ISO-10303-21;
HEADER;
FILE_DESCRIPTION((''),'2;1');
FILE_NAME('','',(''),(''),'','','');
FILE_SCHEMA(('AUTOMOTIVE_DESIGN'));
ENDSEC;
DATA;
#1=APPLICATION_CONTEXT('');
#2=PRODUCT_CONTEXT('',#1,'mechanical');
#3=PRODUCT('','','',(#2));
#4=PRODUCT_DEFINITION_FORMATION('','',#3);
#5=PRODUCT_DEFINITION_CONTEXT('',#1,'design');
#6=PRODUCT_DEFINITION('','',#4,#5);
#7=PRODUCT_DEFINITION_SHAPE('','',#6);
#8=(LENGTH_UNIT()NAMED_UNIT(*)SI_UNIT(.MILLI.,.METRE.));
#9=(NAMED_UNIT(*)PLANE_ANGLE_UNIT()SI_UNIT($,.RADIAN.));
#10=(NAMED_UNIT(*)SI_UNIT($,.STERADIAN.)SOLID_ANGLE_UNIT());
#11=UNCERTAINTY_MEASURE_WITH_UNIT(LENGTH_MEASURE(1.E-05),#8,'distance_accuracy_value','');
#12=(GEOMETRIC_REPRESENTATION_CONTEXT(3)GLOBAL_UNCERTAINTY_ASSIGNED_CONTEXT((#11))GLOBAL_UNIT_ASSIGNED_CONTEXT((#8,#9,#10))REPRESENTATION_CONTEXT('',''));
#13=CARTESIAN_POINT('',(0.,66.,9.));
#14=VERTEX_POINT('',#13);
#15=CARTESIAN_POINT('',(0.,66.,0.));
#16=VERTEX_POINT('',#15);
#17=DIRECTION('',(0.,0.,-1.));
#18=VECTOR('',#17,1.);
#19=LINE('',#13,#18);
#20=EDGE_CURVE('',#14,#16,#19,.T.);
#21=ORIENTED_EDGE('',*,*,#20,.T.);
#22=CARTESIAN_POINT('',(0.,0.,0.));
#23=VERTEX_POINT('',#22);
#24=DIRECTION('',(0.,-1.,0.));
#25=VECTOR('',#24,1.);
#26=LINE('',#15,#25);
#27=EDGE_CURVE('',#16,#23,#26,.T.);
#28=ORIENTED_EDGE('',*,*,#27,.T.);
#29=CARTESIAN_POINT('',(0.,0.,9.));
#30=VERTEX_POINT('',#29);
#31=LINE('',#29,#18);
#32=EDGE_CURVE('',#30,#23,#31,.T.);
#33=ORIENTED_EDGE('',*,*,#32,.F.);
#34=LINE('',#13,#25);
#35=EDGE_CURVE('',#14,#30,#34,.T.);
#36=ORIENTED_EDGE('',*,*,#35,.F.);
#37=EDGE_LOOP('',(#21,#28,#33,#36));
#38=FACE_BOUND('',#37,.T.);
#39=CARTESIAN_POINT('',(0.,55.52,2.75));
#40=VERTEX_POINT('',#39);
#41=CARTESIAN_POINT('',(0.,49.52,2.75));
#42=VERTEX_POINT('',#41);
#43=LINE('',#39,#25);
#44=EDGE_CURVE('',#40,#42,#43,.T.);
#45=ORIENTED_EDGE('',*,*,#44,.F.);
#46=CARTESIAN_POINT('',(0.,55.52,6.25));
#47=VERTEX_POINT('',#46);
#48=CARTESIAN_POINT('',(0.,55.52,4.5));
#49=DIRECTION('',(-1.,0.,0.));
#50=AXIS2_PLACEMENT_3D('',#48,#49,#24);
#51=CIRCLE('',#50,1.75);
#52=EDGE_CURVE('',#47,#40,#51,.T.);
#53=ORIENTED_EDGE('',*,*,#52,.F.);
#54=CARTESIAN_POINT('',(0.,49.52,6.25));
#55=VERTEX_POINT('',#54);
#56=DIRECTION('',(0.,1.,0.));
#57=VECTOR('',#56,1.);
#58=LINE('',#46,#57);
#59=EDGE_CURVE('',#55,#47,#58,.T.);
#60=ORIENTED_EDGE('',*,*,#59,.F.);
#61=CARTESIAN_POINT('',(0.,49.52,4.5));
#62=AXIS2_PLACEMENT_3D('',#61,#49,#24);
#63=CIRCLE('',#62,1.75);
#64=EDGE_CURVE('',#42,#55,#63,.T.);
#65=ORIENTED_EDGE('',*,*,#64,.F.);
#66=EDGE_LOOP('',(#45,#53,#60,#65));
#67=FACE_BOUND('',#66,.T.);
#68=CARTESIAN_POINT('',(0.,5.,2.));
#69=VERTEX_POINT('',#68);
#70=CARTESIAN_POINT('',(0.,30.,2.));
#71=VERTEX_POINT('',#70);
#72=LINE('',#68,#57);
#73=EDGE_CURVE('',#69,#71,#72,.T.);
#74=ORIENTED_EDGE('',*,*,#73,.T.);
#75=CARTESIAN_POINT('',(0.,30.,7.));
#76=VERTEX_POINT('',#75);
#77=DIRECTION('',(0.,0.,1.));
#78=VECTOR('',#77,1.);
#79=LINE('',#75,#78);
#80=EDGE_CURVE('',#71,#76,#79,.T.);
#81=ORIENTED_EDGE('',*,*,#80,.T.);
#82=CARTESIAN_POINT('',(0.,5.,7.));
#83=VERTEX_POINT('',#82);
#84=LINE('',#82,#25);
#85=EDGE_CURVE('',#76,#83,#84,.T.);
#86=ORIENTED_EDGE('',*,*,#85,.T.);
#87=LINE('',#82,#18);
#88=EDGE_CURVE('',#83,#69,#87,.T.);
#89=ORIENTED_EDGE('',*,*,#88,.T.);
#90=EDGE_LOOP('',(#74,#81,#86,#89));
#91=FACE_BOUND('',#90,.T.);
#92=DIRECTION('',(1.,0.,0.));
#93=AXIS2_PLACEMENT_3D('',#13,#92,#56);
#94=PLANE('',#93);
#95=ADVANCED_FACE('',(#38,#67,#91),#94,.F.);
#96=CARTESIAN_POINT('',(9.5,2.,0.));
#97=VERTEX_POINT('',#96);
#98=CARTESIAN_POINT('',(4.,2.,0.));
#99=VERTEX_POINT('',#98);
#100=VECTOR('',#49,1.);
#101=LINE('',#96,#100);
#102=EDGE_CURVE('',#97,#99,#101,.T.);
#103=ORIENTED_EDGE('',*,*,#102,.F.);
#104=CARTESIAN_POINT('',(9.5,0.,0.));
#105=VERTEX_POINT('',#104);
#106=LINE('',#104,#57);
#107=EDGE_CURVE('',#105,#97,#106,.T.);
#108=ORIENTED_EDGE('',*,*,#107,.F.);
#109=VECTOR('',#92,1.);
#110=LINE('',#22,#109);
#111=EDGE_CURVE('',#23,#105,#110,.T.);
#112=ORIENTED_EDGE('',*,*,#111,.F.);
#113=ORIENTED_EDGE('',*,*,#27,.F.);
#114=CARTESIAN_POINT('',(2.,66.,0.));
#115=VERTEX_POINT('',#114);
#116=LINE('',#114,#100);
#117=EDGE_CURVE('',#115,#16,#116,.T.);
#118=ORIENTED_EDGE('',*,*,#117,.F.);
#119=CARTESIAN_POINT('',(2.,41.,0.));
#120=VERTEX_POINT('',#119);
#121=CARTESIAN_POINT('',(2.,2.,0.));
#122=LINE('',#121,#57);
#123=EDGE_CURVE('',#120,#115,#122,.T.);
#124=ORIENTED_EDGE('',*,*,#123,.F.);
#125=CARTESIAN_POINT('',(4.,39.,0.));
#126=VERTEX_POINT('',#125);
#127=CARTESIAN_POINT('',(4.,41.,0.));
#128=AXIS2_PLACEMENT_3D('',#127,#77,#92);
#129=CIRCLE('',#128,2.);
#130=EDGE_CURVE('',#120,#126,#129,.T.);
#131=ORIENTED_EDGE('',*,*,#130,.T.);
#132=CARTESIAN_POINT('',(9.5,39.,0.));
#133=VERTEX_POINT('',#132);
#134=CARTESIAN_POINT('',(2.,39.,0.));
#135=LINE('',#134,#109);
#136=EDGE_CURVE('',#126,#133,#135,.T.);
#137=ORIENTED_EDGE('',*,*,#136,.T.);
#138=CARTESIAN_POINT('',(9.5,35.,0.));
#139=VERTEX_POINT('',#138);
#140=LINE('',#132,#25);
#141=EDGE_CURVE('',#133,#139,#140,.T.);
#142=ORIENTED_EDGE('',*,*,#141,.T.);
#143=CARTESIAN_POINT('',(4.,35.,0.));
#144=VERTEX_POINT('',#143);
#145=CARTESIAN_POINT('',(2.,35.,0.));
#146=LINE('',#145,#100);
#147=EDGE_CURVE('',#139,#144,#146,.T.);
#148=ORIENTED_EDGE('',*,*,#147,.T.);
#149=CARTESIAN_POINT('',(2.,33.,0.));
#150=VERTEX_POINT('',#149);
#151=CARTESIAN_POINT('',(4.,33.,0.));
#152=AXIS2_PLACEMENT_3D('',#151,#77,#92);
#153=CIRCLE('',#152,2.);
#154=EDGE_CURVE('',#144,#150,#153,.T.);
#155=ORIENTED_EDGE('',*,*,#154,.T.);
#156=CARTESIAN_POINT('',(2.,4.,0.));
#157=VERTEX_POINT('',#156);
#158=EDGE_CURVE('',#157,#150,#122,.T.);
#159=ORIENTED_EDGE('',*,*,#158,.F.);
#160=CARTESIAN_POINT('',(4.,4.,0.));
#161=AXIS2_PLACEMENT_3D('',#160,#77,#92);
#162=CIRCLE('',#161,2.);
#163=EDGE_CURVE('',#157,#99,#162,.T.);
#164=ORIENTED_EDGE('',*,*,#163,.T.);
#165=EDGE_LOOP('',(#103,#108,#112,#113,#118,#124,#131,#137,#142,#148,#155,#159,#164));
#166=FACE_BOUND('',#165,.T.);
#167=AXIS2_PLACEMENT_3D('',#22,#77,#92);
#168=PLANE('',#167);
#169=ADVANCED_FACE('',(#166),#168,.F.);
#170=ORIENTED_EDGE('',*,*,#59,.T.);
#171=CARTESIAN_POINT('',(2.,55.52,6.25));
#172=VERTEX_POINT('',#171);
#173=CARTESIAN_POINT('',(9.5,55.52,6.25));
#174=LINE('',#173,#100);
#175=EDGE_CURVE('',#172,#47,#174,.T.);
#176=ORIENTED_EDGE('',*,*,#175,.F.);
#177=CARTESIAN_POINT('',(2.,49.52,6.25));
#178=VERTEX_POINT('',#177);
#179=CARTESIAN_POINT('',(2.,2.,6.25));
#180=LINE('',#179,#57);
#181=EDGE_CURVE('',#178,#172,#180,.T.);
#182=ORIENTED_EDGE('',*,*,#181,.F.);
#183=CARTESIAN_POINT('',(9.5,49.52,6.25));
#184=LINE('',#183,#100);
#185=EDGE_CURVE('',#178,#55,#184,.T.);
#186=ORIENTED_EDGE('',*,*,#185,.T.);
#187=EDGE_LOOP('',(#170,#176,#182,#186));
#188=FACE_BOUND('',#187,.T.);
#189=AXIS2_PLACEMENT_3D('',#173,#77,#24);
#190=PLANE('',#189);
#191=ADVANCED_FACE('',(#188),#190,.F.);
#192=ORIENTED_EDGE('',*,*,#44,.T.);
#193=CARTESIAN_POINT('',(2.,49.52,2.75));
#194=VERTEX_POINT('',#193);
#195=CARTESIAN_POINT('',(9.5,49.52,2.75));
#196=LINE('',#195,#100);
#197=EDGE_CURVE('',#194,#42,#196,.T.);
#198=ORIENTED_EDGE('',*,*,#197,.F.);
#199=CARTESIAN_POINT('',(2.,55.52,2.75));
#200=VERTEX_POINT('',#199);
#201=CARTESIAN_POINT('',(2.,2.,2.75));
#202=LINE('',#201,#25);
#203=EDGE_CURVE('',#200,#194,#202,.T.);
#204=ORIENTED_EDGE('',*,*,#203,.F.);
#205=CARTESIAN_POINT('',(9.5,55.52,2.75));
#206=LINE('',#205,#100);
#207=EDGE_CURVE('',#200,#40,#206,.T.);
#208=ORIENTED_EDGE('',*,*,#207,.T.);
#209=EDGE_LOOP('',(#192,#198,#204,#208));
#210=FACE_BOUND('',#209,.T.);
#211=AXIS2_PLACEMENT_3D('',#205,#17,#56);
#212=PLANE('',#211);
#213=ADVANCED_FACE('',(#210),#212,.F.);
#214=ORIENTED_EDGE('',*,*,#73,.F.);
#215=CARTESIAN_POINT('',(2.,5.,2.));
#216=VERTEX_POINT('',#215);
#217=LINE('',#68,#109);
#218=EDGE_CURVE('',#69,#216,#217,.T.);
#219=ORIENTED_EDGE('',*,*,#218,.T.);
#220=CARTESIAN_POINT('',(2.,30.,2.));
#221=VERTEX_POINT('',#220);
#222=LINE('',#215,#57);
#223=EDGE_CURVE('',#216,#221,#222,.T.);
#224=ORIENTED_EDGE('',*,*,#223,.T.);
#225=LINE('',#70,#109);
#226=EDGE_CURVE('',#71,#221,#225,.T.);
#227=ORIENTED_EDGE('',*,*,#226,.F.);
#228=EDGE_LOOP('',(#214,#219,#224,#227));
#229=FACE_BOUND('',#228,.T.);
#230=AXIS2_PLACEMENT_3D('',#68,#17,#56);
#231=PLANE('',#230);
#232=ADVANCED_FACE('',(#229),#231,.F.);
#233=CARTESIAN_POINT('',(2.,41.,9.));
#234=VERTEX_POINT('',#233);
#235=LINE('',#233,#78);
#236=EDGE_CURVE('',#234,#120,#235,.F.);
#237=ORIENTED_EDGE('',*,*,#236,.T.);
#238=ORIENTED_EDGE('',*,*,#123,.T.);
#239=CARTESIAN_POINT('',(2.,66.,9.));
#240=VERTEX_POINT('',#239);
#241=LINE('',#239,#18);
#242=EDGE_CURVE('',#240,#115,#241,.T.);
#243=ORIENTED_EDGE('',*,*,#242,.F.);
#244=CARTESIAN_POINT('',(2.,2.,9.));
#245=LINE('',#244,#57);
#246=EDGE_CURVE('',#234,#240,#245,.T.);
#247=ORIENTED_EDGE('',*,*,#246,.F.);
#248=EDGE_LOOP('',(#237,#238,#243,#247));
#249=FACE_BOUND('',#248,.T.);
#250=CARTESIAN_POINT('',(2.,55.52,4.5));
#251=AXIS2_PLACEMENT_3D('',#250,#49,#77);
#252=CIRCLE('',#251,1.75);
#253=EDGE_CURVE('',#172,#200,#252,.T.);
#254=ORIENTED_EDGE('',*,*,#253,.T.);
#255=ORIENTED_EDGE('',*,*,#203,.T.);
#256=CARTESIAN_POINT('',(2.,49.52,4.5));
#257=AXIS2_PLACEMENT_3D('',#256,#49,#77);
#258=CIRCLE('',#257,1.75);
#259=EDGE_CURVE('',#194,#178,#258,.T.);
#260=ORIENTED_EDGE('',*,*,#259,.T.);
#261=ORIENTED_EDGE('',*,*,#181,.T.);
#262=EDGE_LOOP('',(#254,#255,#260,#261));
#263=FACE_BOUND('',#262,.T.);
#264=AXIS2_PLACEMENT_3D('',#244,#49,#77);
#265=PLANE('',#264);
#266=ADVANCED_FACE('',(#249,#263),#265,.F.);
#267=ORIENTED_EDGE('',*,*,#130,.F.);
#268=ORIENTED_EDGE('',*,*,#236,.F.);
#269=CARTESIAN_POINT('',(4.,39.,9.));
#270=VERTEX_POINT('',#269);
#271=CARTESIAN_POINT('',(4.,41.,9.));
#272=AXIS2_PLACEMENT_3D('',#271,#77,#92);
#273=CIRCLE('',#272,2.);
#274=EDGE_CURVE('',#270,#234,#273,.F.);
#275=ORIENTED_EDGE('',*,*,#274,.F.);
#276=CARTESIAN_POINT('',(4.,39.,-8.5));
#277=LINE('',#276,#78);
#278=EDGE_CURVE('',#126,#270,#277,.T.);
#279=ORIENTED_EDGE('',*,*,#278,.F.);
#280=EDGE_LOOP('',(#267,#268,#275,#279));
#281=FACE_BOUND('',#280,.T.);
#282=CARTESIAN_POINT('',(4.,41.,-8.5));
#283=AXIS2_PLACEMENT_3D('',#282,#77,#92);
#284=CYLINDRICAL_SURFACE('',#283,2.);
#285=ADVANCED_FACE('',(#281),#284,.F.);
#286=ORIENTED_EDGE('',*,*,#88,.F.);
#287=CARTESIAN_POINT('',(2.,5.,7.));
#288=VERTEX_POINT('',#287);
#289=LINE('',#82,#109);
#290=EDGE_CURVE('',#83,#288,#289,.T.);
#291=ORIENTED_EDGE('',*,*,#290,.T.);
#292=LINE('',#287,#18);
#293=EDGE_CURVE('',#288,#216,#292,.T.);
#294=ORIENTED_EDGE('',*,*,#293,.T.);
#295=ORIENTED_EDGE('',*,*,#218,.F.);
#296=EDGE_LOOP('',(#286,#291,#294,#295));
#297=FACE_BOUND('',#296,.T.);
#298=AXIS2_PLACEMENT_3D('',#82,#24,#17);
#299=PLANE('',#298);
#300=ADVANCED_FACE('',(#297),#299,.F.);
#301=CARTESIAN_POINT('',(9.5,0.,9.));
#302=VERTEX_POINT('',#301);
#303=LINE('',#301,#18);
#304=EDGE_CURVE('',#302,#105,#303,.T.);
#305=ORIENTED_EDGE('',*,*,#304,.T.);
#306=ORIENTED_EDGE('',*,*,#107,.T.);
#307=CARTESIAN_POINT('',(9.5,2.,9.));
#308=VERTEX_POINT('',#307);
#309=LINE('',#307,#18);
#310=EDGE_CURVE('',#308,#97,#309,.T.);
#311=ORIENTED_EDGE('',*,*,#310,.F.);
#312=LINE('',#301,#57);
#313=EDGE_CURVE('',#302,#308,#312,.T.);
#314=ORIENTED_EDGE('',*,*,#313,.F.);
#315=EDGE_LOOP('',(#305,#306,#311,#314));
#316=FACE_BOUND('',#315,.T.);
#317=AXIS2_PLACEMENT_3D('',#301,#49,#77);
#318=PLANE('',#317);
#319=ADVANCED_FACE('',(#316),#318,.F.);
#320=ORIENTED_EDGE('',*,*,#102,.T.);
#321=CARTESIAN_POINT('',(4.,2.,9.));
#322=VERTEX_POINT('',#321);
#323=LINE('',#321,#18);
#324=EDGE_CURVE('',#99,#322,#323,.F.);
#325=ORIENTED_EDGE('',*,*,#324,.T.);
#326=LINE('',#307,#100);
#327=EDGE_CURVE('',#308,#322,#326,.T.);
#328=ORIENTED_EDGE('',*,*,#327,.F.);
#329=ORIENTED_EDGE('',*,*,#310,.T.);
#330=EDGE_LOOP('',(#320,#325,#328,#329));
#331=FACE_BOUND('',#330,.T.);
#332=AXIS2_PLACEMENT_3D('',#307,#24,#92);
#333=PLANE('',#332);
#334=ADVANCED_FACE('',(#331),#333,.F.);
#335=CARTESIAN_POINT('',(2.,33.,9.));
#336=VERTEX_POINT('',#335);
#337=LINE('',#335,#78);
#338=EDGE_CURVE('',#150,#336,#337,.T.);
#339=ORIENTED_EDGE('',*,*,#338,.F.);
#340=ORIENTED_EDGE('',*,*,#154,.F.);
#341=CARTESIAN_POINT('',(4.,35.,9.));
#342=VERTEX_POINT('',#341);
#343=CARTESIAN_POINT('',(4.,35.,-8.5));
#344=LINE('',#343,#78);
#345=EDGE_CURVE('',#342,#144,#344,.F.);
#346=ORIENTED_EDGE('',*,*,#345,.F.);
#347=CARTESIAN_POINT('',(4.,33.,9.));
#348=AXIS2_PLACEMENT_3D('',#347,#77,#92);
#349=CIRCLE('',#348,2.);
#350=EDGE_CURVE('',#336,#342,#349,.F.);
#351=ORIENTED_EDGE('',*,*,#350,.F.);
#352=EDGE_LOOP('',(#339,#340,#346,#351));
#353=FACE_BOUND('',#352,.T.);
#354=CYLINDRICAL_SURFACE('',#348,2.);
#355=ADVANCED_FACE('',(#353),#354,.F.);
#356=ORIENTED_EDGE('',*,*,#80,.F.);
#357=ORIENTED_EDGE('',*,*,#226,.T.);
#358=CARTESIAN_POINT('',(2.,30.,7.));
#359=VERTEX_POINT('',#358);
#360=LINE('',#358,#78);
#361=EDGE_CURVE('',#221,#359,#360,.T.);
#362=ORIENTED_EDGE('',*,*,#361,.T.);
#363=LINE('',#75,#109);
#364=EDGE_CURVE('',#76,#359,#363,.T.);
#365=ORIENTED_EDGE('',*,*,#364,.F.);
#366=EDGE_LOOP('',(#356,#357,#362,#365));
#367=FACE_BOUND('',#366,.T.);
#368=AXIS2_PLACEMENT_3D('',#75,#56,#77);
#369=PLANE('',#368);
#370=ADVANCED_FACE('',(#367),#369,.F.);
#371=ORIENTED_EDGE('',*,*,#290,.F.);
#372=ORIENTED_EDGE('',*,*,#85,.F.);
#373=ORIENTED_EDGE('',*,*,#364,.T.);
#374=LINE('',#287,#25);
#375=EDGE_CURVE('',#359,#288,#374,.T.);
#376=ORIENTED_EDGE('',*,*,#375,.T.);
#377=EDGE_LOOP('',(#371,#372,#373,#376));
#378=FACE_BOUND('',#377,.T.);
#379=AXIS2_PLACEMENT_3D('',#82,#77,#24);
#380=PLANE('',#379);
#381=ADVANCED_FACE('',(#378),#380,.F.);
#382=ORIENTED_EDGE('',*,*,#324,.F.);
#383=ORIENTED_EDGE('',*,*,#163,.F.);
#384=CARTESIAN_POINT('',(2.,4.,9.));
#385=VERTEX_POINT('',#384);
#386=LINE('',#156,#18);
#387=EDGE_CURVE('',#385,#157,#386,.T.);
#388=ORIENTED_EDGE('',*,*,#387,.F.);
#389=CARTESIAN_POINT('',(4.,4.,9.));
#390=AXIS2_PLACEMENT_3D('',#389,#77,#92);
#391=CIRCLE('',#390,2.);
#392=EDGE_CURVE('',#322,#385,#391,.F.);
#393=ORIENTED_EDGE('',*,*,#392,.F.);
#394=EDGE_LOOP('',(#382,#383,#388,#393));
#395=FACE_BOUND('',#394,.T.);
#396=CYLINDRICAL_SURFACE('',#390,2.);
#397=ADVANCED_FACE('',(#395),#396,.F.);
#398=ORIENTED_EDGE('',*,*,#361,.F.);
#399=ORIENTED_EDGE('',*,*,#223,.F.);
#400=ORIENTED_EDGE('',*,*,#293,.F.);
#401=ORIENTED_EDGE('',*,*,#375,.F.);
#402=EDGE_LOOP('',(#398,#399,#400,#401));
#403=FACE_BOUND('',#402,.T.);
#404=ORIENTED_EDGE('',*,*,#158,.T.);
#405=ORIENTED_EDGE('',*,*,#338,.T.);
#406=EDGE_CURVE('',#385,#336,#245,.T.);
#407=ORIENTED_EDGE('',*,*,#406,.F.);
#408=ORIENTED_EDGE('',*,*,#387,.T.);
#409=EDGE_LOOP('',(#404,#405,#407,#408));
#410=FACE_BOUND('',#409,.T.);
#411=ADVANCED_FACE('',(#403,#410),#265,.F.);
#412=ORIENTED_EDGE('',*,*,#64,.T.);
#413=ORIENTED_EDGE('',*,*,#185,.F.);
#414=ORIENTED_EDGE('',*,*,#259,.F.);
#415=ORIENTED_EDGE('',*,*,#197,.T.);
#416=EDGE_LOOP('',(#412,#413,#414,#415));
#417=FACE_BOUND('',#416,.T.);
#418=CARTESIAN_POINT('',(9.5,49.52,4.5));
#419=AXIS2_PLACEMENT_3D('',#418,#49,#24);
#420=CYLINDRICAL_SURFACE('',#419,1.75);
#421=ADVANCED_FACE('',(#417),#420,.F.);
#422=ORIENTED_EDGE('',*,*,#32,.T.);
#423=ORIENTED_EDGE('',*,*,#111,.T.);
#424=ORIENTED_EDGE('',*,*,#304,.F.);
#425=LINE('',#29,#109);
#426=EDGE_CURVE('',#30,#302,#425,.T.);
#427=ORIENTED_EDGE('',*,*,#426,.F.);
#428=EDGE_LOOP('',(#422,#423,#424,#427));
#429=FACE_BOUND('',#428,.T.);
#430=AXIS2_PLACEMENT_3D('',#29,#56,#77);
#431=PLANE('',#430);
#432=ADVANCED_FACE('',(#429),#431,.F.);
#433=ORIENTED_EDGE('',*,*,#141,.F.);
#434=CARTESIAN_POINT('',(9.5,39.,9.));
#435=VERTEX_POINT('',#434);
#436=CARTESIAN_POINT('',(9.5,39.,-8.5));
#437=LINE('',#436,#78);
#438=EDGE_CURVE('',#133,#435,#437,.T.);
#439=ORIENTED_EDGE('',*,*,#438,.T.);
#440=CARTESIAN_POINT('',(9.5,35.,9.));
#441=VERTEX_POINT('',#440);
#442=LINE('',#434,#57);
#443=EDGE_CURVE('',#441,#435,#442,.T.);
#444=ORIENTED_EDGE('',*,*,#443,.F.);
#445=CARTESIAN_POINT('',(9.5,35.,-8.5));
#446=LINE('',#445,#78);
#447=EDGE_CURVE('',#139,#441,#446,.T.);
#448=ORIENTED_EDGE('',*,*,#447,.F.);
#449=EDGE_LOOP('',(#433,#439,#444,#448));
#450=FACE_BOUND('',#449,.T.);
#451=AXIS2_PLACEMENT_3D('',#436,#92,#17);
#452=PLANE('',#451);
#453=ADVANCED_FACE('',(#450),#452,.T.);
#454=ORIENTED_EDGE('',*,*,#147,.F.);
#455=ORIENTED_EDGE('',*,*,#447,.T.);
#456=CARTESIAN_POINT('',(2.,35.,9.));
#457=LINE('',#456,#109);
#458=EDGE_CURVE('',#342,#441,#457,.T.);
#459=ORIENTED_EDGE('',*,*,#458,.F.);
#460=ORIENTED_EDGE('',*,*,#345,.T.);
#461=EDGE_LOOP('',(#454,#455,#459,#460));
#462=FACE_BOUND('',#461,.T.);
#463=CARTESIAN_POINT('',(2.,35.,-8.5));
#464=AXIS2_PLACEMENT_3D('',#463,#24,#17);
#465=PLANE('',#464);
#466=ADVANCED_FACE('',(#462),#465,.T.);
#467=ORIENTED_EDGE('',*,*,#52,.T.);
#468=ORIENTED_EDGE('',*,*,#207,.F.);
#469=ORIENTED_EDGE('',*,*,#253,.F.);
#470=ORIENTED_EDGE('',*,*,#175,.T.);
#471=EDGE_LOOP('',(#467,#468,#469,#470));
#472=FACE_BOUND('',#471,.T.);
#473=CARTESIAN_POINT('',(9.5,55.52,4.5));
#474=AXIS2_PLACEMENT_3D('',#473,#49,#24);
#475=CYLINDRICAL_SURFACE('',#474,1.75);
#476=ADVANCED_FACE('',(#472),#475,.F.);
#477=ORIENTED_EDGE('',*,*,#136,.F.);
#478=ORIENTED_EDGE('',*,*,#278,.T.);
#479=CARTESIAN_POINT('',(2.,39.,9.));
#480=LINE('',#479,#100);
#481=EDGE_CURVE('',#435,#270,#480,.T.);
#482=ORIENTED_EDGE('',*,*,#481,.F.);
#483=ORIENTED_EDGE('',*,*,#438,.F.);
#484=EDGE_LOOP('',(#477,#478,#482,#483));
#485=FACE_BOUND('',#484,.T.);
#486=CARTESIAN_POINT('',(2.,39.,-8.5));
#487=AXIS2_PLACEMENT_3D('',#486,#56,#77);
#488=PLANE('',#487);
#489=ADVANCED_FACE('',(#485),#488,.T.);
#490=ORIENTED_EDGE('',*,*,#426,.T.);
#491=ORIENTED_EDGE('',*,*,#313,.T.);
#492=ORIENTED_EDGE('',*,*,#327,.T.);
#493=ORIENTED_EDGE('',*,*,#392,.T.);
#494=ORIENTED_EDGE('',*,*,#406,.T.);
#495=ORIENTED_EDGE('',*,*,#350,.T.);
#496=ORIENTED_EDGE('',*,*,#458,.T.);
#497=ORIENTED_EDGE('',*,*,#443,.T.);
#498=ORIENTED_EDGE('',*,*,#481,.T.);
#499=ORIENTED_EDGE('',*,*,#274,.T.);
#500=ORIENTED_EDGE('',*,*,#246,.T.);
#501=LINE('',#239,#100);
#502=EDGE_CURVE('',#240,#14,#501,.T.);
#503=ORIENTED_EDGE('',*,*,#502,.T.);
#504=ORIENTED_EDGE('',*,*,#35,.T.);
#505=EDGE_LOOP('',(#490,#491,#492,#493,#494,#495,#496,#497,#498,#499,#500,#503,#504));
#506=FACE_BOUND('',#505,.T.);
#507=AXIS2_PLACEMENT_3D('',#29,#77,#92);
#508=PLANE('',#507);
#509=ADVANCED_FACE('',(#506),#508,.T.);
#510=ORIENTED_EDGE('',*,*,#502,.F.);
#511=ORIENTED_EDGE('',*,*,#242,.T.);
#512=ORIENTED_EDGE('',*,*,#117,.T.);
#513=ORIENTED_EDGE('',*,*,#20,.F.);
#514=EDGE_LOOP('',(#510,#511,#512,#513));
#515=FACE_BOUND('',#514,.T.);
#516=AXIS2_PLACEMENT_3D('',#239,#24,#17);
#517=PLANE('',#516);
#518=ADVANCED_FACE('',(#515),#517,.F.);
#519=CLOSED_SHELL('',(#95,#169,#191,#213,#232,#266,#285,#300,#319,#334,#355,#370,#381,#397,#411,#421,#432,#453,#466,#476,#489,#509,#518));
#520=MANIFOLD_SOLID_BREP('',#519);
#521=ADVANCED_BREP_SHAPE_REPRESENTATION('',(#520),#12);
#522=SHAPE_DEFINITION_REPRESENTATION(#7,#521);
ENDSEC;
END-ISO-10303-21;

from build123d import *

# Parameters (mm, degrees)
EXTRUDE_1_DEPTH     = 9
CUT_EXTRUDE_2_DEPTH = 68.284842275
SKETCH_6_W          = 5
SKETCH_6_H          = 25
CUT_EXTRUDE_3_DEPTH = 68.031708915
FILLET_1_R          = 2
SKETCH_7_W          = 7.5
SKETCH_7_H          = 4
EXTRUDE_2_DEPTH     = 9
FILLET_2_R          = 2


with BuildPart() as part:
    # Эскиз1 → Бобышка-Вытянуть1 (new body)
    with BuildSketch(Plane.XY):
        Polygon((0, 0), (9.5, 0), (9.5, 2), (2, 2), (2, 66), (0, 66), align=None)
    extrude(amount=EXTRUDE_1_DEPTH)

    # Эскиз4 → Вырез-Вытянуть2 (cut, through all)
    with BuildSketch(Plane.ZY):
        with BuildLine():
            Line((6.25, 55.52), (6.25, 49.52))
            ThreePointArc((6.25, 49.52), (4.5, 47.77), (2.75, 49.52))
            Line((2.75, 49.52), (2.75, 55.52))
            ThreePointArc((2.75, 55.52), (4.5, 57.27), (6.25, 55.52))
        make_face()
    extrude(amount=-CUT_EXTRUDE_2_DEPTH, mode=Mode.SUBTRACT)

    # Эскиз6 → Вырез-Вытянуть3 (cut, through all)
    with BuildSketch(Plane(origin=(2, 0, 0), x_dir=(0, 0, -1), z_dir=(1, 0, 0))):
        with Locations((-4.5, 17.5)):
            Rectangle(SKETCH_6_W, SKETCH_6_H)
    extrude(amount=-CUT_EXTRUDE_3_DEPTH, mode=Mode.SUBTRACT)

    # Скругление1
    fillet_1_edges = [part.edges().sort_by_distance(p)[0] for p in [
        (2, 2, 4.5),
    ]]
    fillet(fillet_1_edges, radius=FILLET_1_R)

    # Эскиз7 → Бобышка-Вытянуть2 (add)
    with BuildSketch(Plane.XY.offset(9)):
        with Locations((5.75, 37)):
            Rectangle(SKETCH_7_W, SKETCH_7_H)
    extrude(amount=-EXTRUDE_2_DEPTH)

    # Скругление2
    fillet_2_edges = [part.edges().sort_by_distance(p)[0] for p in [
        (2, 39, 4.5),
        (2, 35, 4.5),
    ]]
    fillet(fillet_2_edges, radius=FILLET_2_R)


solid = part.part
